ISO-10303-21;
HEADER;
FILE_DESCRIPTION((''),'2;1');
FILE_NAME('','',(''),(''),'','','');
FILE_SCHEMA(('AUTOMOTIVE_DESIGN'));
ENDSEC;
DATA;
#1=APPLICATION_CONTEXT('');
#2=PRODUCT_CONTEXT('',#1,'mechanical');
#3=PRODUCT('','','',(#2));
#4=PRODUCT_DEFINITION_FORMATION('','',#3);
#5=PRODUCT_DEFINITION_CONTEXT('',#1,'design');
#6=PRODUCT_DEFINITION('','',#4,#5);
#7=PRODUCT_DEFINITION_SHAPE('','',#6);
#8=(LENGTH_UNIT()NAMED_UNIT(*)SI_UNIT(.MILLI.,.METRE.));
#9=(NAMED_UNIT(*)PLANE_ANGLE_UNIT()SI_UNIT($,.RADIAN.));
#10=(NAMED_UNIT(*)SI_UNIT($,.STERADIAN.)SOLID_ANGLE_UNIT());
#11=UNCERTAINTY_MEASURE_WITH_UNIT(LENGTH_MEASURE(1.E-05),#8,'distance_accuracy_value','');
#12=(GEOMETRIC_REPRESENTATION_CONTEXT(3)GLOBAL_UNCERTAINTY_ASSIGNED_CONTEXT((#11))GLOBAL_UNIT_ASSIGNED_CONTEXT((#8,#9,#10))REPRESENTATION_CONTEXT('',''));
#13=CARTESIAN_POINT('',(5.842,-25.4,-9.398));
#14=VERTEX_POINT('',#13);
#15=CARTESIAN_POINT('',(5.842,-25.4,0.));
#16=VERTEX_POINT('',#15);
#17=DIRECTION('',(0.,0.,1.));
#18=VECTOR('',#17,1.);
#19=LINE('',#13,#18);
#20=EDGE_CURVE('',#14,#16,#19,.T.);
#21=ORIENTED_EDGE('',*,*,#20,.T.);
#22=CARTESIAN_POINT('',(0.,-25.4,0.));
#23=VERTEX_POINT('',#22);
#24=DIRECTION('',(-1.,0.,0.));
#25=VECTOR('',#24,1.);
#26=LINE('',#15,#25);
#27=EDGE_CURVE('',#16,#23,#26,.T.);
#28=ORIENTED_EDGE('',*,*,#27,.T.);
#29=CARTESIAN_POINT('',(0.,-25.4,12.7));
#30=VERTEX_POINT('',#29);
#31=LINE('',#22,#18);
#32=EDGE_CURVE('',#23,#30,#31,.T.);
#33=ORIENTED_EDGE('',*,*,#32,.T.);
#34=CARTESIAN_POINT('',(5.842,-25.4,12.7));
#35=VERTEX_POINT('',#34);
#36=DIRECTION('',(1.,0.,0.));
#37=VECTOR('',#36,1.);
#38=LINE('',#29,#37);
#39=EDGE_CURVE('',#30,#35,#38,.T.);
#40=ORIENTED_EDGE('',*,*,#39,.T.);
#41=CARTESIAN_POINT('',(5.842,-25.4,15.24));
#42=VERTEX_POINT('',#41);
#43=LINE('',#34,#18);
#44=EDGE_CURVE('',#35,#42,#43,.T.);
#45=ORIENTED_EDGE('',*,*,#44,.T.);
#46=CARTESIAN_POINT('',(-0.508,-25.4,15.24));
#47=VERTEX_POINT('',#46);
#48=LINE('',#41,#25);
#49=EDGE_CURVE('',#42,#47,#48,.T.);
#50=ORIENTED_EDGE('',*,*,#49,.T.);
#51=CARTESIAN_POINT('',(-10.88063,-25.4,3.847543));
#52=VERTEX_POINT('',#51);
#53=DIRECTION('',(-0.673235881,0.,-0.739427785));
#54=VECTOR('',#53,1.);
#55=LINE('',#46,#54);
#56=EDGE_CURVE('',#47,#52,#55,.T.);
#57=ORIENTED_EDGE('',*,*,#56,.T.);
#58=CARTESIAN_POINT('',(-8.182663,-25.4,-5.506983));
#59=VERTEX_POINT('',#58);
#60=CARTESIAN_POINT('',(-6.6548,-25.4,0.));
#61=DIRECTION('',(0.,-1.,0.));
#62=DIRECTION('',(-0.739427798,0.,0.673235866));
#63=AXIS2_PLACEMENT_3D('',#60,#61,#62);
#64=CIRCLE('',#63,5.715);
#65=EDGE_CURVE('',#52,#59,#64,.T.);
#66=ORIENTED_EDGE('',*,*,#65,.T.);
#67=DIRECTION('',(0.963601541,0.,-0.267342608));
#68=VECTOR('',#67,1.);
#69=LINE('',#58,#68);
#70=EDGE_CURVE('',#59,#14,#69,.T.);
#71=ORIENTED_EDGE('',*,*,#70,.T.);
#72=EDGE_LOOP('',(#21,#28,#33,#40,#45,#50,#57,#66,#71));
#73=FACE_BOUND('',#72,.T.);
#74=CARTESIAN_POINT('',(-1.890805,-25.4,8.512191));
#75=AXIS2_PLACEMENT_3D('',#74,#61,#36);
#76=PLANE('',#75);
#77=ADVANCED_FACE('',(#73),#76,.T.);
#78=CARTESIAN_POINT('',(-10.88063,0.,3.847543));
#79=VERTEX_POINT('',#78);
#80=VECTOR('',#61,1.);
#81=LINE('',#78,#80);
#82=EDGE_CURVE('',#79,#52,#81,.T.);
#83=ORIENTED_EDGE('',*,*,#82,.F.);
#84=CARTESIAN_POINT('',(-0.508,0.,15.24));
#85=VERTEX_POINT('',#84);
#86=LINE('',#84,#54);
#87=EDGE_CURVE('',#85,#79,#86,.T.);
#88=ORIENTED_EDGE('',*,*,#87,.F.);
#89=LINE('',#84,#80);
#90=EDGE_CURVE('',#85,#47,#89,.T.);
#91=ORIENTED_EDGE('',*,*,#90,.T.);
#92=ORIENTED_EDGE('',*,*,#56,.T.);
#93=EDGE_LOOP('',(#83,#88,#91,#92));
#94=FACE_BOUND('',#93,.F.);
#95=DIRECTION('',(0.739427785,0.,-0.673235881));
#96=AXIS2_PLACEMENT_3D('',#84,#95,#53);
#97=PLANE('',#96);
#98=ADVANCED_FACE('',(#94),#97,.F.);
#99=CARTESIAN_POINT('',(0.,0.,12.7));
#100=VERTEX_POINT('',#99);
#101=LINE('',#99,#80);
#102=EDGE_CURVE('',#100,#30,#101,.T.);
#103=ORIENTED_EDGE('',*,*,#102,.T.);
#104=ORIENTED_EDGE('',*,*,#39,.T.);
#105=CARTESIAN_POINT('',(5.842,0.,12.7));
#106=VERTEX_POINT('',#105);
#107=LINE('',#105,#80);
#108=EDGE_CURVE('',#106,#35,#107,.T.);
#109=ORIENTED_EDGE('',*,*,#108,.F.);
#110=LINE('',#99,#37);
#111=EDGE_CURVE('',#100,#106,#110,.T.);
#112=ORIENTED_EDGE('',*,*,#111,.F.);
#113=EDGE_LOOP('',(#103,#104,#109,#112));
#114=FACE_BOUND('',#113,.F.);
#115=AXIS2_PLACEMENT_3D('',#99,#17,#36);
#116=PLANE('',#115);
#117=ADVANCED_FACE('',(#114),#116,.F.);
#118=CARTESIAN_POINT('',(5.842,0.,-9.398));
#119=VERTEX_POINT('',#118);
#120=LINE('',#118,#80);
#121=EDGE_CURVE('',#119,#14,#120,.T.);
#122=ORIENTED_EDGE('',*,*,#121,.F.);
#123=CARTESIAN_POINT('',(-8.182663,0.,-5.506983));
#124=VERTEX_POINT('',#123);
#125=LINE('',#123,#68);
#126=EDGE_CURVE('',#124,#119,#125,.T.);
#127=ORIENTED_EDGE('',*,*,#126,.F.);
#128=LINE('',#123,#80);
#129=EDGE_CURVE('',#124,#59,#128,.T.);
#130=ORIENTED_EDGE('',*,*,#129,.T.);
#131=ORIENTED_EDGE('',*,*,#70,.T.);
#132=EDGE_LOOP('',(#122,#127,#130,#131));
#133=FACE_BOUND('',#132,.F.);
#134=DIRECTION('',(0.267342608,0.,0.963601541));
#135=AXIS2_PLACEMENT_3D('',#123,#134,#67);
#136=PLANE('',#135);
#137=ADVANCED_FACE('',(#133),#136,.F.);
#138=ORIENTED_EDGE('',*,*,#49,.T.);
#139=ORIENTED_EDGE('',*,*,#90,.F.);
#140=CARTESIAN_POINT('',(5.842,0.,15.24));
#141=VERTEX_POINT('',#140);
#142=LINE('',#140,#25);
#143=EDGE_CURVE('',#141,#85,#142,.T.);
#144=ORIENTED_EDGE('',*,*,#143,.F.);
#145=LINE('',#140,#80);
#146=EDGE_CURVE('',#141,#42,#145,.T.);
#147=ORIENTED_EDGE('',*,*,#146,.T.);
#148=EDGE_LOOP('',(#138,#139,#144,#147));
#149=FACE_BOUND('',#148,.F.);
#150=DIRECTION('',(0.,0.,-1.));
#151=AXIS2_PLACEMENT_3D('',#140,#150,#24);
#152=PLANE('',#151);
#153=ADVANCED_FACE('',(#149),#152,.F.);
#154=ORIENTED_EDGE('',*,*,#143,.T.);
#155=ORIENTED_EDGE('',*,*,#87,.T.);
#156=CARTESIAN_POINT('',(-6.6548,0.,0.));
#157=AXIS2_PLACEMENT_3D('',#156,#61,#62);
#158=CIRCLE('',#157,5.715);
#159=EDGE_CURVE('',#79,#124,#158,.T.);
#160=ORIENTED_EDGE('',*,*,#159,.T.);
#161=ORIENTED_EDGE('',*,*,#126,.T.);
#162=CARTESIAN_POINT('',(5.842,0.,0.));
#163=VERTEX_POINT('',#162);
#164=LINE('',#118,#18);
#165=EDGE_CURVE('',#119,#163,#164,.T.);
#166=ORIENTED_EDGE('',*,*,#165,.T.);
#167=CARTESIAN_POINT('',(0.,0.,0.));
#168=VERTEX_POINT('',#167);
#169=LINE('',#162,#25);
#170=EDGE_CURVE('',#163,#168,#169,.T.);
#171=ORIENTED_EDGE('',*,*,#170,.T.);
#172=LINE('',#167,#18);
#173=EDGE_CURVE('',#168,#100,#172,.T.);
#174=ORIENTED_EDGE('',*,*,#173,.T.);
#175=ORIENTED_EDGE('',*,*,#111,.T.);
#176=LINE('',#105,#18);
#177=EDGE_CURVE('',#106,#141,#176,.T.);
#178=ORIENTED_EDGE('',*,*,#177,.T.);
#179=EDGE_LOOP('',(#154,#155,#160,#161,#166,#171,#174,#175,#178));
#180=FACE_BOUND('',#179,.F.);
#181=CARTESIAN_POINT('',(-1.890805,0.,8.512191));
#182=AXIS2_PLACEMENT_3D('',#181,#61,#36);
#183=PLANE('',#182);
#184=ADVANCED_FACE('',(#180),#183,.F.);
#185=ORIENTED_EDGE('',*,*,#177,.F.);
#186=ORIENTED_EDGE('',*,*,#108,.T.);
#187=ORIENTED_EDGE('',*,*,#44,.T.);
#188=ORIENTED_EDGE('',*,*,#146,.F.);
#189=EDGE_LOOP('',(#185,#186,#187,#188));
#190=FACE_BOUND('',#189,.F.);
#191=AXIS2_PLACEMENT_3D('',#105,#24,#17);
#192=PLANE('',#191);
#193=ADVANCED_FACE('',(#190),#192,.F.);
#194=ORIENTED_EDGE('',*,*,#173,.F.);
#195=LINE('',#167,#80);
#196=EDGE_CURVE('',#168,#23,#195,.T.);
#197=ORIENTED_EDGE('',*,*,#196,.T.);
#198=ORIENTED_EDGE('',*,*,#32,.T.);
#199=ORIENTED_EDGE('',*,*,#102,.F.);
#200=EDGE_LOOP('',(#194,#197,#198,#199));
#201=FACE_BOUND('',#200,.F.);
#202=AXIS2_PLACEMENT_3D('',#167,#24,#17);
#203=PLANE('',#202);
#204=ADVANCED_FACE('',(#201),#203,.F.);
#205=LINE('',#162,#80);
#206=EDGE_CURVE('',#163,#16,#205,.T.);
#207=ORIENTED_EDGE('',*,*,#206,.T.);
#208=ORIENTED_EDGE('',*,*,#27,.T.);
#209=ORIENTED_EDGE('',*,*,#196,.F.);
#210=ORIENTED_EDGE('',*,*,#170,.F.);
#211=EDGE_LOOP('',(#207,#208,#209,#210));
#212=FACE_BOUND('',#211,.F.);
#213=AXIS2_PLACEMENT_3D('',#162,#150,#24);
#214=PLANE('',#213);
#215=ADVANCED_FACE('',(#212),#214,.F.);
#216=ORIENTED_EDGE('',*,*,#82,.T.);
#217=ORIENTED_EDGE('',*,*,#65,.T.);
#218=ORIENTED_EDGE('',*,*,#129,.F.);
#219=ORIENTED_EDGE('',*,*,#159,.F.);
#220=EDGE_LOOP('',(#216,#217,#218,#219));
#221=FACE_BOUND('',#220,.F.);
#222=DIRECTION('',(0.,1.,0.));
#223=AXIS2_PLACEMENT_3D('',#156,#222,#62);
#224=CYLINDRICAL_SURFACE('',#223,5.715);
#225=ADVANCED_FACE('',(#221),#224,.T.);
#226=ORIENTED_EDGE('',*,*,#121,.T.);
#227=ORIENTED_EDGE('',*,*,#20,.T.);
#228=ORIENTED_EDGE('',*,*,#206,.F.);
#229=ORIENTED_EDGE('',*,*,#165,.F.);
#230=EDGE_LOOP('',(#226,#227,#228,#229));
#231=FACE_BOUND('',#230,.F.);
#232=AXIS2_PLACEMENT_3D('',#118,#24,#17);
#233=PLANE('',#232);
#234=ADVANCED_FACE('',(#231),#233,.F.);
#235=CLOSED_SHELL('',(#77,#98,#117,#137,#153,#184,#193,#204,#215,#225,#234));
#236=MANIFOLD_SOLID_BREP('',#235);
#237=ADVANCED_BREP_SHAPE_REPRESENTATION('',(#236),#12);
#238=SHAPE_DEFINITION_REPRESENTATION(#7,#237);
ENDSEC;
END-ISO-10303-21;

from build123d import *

# Parameters (mm, degrees)
F0_R     = 3.175
F1_DEPTH = 25.4


with BuildPart() as f1:
    # F0 (on Front) → F1 (new body)
    with BuildSketch(Plane.XZ):
        with BuildLine():
            Line((-0.9398, 0), (0, 0))
            Line((0, 0), (0, 12.7))
            Line((0, 12.7), (5.842, 12.7))
            Line((5.842, 12.7), (5.842, 15.24))
            Line((5.842, 15.24), (-0.508, 15.24))
            Line((-0.508, 15.24), (-10.88063, 3.847543))
            ThreePointArc((-10.88063, 3.847543), (-4.591961, 5.329721), (-0.9398, 0))
        make_face()
        with BuildLine():
            ThreePointArc((-8.182663, -5.506983), (-3.195791, -4.549339), (-0.9398, 0))
            ThreePointArc((-0.9398, 0), (-4.591961, 5.329721), (-10.88063, 3.847543))
            ThreePointArc((-10.88063, 3.847543), (-12.145978, -1.583727), (-8.182663, -5.506983))
        make_face()
        with Locations((-6.6548, 0)):
            Circle(F0_R, mode=Mode.SUBTRACT)
        with Locations((-6.6548, 0)):
            Circle(F0_R)
        with BuildLine():
            Line((5.842, 0), (0, 0))
            Line((0, 0), (-0.9398, 0))
            ThreePointArc((-0.9398, 0), (-3.195791, -4.549339), (-8.182663, -5.506983))
            Line((-8.182663, -5.506983), (5.842, -9.398))
            Line((5.842, -9.398), (5.842, 0))
        make_face()
    extrude(amount=F1_DEPTH)


solid = f1.part
